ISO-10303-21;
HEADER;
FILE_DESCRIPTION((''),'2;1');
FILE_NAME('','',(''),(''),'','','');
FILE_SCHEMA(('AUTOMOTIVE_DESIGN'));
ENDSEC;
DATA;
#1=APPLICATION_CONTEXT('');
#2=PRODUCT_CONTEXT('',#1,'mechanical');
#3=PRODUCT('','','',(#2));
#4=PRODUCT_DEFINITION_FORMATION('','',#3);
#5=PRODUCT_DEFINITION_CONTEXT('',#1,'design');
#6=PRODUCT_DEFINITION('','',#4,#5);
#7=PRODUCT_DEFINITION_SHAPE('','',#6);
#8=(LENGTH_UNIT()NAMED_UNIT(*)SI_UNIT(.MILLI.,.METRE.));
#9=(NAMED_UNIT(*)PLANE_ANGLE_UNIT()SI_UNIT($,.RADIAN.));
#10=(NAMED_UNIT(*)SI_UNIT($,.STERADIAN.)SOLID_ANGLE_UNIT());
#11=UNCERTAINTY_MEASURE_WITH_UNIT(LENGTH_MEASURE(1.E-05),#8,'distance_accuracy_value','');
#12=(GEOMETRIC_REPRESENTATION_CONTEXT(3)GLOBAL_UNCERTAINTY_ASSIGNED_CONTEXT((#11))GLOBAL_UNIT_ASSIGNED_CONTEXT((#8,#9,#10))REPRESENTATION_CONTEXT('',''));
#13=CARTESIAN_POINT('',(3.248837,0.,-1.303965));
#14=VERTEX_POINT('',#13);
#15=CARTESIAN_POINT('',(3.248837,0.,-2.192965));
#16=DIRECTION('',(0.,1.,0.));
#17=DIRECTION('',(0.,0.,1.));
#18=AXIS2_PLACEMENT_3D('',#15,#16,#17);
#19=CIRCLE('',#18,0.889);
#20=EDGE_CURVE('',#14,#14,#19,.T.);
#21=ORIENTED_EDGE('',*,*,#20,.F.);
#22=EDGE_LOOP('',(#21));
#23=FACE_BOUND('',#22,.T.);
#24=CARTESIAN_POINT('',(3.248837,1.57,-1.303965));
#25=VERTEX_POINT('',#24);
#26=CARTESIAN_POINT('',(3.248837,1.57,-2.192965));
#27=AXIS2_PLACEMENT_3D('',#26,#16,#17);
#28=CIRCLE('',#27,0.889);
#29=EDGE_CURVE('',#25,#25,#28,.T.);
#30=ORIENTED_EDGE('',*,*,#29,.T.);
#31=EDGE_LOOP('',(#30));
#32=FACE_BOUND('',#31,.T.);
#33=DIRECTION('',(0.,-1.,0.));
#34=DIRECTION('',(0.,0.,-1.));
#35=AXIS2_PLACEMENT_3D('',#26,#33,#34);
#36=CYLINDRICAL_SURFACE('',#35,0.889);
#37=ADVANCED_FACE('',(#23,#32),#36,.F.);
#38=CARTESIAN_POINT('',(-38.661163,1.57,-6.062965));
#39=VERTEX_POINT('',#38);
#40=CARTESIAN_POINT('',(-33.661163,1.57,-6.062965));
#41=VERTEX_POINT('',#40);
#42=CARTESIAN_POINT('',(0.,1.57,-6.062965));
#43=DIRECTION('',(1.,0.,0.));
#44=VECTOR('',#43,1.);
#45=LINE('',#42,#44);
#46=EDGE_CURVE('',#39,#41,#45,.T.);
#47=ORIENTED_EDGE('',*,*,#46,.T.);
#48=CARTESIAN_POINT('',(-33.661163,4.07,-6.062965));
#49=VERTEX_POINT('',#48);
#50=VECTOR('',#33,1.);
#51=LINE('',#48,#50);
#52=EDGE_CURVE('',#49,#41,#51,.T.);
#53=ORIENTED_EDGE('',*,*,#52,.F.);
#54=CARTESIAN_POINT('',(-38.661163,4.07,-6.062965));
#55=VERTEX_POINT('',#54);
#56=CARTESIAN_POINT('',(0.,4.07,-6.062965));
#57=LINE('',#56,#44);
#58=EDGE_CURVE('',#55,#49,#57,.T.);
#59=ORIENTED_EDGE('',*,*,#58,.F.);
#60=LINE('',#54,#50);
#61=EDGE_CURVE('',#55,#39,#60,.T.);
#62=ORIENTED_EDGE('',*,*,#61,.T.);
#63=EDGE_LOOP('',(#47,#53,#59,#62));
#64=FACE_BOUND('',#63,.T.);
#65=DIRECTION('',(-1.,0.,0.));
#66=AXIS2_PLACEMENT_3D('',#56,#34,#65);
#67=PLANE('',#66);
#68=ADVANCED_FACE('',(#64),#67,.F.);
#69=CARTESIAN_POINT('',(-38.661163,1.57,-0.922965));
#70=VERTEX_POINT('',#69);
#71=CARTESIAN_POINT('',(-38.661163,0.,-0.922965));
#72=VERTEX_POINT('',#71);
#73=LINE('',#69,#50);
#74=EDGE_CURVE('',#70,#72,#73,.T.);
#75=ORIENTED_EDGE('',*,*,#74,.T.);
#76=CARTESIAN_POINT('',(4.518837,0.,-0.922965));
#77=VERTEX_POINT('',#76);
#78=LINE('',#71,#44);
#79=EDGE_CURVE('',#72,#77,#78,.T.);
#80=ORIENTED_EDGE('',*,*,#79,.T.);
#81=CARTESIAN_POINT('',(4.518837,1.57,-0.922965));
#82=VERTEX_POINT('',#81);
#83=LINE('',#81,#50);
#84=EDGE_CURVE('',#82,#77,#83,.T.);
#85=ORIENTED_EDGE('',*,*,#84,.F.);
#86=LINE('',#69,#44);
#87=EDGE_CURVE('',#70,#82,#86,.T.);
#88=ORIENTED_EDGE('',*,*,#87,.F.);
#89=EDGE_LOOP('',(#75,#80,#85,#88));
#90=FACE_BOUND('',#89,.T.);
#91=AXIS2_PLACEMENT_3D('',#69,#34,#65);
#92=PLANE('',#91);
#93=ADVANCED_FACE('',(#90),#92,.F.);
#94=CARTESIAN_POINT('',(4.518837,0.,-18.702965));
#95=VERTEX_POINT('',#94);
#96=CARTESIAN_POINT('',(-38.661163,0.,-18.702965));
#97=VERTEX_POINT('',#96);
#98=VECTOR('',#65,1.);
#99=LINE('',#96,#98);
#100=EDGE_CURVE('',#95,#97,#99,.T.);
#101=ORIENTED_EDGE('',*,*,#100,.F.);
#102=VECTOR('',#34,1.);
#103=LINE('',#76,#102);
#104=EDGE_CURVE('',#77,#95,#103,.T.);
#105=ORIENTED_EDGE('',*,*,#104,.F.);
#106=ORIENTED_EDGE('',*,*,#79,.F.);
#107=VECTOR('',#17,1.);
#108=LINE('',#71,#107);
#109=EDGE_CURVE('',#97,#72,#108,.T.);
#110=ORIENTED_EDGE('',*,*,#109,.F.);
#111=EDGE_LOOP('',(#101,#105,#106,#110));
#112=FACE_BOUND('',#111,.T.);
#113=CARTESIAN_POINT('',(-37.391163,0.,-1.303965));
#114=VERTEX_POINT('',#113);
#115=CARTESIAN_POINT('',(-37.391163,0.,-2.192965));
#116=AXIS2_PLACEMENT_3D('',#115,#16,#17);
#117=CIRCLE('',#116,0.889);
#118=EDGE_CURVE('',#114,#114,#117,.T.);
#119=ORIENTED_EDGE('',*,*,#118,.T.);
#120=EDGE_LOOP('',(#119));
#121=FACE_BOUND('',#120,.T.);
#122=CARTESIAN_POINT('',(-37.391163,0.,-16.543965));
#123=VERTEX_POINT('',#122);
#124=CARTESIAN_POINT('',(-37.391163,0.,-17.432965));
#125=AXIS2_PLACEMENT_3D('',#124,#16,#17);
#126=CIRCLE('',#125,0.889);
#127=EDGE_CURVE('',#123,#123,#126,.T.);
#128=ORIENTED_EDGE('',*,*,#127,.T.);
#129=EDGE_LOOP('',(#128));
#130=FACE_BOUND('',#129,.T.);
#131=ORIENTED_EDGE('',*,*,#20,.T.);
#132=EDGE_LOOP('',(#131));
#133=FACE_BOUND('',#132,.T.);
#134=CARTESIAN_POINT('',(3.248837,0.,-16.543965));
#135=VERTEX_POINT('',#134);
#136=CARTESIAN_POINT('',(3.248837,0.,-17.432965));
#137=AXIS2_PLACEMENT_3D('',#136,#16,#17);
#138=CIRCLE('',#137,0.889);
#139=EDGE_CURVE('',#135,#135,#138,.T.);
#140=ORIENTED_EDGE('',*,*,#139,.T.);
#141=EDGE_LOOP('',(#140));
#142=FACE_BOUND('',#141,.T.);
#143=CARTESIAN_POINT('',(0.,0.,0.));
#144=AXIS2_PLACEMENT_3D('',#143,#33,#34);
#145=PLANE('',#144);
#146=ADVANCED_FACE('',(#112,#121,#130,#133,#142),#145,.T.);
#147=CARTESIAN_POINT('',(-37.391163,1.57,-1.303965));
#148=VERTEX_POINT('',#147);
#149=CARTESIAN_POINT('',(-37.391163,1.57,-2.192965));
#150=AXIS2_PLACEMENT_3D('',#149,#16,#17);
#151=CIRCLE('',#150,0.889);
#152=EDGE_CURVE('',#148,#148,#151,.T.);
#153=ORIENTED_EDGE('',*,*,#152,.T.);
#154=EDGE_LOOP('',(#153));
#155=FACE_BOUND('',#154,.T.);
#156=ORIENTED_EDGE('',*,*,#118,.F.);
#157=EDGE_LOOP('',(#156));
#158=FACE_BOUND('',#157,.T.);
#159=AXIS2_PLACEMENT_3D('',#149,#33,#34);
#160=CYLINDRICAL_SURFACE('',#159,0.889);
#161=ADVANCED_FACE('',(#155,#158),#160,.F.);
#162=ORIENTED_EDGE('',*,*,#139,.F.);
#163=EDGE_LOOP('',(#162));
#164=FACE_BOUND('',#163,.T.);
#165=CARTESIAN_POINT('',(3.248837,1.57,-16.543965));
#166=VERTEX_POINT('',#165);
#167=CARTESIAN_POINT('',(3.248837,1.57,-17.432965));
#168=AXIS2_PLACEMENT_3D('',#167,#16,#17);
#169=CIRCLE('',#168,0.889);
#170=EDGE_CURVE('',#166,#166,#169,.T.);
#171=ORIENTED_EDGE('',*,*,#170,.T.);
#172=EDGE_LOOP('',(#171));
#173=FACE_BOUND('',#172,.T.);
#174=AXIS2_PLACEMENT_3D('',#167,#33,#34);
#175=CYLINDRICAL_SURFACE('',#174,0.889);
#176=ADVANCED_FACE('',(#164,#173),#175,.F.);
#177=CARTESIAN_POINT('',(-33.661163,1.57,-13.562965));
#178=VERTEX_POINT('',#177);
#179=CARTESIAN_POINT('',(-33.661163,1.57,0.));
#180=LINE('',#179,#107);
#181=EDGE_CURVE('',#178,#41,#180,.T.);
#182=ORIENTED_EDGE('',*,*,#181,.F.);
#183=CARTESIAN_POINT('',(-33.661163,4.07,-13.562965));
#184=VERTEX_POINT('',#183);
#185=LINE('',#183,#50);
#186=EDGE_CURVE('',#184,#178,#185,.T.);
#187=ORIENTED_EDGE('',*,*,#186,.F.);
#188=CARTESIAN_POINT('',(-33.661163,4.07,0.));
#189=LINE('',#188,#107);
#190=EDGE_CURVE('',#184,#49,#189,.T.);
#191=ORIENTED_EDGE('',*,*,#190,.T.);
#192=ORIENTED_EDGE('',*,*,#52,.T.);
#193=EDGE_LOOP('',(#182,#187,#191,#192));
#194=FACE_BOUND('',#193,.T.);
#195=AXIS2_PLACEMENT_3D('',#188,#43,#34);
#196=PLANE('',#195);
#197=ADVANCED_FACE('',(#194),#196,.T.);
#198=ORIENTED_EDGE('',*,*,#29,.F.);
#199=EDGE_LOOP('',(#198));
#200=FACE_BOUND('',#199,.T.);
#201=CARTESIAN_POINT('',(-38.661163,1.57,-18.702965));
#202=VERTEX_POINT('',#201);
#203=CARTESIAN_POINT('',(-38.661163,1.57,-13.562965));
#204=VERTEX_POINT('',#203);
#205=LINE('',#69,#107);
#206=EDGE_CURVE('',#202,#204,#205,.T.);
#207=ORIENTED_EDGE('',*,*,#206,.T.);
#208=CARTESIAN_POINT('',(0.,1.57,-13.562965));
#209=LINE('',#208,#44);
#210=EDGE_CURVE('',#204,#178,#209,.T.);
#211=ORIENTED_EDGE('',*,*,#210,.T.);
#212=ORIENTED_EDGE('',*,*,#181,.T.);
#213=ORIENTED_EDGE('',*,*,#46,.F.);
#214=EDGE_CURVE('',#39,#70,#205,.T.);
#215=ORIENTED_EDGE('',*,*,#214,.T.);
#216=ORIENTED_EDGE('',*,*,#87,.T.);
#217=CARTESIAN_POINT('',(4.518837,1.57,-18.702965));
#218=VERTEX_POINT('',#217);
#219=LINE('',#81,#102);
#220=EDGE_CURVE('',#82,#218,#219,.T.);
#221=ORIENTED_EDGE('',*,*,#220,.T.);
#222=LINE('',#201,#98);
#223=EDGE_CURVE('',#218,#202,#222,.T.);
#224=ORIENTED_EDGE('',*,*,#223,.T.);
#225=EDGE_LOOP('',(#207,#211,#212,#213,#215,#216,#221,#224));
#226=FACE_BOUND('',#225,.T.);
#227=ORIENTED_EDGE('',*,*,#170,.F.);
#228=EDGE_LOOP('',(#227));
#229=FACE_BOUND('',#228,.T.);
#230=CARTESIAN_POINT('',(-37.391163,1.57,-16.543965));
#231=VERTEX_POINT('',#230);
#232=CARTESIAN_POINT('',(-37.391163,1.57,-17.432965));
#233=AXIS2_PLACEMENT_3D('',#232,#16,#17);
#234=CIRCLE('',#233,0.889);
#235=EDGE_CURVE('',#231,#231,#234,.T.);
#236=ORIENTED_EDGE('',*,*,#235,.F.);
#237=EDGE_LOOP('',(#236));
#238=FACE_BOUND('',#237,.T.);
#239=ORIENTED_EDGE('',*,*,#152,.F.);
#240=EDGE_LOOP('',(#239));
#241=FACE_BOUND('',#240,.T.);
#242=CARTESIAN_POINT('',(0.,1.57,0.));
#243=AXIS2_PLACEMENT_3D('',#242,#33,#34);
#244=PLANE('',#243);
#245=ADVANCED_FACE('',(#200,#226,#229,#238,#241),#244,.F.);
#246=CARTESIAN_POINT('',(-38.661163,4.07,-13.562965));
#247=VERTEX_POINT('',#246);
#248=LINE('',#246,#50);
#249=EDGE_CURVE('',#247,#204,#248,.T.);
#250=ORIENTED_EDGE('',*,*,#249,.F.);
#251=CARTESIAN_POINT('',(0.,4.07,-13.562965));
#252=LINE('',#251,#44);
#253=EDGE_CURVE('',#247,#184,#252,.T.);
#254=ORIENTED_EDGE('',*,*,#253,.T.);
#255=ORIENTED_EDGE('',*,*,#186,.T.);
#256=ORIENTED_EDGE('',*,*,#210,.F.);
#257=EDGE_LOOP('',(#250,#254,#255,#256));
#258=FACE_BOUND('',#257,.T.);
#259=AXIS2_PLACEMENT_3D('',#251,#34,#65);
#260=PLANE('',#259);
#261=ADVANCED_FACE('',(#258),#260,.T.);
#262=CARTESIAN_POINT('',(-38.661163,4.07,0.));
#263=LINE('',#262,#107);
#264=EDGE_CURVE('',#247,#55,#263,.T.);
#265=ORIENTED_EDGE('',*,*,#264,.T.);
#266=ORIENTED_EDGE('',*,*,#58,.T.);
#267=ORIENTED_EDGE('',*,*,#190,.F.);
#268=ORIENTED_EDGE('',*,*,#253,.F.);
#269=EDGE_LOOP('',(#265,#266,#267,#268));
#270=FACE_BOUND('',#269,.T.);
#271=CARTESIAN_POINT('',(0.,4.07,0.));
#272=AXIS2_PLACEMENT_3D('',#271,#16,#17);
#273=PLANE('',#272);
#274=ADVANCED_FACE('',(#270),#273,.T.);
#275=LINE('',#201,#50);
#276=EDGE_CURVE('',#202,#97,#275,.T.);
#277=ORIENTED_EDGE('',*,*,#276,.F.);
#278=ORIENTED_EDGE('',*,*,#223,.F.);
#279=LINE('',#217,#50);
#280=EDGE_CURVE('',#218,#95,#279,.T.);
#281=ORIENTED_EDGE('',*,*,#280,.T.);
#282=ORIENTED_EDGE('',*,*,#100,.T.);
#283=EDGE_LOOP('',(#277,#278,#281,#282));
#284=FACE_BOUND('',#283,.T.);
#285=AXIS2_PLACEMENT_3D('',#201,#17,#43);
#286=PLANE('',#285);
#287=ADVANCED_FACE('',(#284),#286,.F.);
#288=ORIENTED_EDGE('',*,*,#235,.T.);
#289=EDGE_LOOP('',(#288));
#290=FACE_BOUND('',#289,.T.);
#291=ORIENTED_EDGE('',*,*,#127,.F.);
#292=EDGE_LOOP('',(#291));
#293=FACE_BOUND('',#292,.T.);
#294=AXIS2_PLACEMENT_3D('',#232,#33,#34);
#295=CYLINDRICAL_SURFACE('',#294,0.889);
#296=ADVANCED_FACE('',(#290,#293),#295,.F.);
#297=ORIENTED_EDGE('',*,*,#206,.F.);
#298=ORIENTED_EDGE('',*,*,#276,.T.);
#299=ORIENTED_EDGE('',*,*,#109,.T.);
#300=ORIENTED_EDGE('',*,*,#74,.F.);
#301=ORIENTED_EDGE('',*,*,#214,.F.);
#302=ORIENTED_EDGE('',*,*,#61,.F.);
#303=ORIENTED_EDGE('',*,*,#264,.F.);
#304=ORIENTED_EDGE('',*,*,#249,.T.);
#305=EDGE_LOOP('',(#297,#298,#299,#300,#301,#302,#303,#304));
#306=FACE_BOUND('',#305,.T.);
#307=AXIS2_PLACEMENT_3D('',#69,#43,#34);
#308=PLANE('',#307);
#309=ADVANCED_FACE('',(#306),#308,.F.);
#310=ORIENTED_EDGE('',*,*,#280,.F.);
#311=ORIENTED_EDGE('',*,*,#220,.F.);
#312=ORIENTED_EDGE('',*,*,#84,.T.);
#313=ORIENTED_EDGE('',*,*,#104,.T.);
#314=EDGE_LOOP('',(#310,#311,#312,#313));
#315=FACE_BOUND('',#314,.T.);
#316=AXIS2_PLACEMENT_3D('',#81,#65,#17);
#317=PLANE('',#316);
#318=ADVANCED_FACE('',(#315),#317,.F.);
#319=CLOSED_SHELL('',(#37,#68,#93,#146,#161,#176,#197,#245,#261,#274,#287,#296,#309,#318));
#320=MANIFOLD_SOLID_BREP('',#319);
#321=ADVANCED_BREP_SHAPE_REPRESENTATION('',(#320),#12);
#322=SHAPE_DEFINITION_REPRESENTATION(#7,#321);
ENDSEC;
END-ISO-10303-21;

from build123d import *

# Parameters (mm, degrees)
SKETCH1_W           = 43.18
SKETCH1_H           = 17.78
SKETCH1_R           = 0.889
BOSS_EXTRUDE1_DEPTH = 1.57
SKETCH2_W           = 5
SKETCH2_H           = 3.75
BOSS_EXTRUDE2_DEPTH = 2.5


with BuildPart() as part:
    # Sketch1 → Boss-Extrude1 (new body)
    with BuildSketch(Plane(origin=(0, 0, 0), x_dir=(1, 0, 0), z_dir=(0, 1, 0))):
        with Locations((-17.071162791, 9.812965116)):
            Rectangle(SKETCH1_W, SKETCH1_H)
        with Locations(Location((-37.391162791, 17.432965116, 0), (0, 0, 270))):
            Circle(SKETCH1_R, mode=Mode.SUBTRACT)
        with Locations(Location((-37.391162791, 2.192965116, 0), (0, 0, 270))):
            Circle(SKETCH1_R, mode=Mode.SUBTRACT)
        with Locations(Location((3.248837209, 2.192965116, 0), (0, 0, 270))):
            Circle(SKETCH1_R, mode=Mode.SUBTRACT)
        with Locations(Location((3.248837209, 17.432965116, 0), (0, 0, 270))):
            Circle(SKETCH1_R, mode=Mode.SUBTRACT)
    extrude(amount=BOSS_EXTRUDE1_DEPTH)

    # Sketch2 → Boss-Extrude2 (add)
    with BuildSketch(Plane(origin=(0, 1.57, 0), x_dir=(1, 0, 0), z_dir=(0, 1, 0))):
        with Locations((-36.161162791, 11.687965116)):
            Rectangle(SKETCH2_W, SKETCH2_H)
        with Locations((-36.161162791, 7.937965116)):
            Rectangle(SKETCH2_W, SKETCH2_H)
    extrude(amount=BOSS_EXTRUDE2_DEPTH)


solid = part.part
